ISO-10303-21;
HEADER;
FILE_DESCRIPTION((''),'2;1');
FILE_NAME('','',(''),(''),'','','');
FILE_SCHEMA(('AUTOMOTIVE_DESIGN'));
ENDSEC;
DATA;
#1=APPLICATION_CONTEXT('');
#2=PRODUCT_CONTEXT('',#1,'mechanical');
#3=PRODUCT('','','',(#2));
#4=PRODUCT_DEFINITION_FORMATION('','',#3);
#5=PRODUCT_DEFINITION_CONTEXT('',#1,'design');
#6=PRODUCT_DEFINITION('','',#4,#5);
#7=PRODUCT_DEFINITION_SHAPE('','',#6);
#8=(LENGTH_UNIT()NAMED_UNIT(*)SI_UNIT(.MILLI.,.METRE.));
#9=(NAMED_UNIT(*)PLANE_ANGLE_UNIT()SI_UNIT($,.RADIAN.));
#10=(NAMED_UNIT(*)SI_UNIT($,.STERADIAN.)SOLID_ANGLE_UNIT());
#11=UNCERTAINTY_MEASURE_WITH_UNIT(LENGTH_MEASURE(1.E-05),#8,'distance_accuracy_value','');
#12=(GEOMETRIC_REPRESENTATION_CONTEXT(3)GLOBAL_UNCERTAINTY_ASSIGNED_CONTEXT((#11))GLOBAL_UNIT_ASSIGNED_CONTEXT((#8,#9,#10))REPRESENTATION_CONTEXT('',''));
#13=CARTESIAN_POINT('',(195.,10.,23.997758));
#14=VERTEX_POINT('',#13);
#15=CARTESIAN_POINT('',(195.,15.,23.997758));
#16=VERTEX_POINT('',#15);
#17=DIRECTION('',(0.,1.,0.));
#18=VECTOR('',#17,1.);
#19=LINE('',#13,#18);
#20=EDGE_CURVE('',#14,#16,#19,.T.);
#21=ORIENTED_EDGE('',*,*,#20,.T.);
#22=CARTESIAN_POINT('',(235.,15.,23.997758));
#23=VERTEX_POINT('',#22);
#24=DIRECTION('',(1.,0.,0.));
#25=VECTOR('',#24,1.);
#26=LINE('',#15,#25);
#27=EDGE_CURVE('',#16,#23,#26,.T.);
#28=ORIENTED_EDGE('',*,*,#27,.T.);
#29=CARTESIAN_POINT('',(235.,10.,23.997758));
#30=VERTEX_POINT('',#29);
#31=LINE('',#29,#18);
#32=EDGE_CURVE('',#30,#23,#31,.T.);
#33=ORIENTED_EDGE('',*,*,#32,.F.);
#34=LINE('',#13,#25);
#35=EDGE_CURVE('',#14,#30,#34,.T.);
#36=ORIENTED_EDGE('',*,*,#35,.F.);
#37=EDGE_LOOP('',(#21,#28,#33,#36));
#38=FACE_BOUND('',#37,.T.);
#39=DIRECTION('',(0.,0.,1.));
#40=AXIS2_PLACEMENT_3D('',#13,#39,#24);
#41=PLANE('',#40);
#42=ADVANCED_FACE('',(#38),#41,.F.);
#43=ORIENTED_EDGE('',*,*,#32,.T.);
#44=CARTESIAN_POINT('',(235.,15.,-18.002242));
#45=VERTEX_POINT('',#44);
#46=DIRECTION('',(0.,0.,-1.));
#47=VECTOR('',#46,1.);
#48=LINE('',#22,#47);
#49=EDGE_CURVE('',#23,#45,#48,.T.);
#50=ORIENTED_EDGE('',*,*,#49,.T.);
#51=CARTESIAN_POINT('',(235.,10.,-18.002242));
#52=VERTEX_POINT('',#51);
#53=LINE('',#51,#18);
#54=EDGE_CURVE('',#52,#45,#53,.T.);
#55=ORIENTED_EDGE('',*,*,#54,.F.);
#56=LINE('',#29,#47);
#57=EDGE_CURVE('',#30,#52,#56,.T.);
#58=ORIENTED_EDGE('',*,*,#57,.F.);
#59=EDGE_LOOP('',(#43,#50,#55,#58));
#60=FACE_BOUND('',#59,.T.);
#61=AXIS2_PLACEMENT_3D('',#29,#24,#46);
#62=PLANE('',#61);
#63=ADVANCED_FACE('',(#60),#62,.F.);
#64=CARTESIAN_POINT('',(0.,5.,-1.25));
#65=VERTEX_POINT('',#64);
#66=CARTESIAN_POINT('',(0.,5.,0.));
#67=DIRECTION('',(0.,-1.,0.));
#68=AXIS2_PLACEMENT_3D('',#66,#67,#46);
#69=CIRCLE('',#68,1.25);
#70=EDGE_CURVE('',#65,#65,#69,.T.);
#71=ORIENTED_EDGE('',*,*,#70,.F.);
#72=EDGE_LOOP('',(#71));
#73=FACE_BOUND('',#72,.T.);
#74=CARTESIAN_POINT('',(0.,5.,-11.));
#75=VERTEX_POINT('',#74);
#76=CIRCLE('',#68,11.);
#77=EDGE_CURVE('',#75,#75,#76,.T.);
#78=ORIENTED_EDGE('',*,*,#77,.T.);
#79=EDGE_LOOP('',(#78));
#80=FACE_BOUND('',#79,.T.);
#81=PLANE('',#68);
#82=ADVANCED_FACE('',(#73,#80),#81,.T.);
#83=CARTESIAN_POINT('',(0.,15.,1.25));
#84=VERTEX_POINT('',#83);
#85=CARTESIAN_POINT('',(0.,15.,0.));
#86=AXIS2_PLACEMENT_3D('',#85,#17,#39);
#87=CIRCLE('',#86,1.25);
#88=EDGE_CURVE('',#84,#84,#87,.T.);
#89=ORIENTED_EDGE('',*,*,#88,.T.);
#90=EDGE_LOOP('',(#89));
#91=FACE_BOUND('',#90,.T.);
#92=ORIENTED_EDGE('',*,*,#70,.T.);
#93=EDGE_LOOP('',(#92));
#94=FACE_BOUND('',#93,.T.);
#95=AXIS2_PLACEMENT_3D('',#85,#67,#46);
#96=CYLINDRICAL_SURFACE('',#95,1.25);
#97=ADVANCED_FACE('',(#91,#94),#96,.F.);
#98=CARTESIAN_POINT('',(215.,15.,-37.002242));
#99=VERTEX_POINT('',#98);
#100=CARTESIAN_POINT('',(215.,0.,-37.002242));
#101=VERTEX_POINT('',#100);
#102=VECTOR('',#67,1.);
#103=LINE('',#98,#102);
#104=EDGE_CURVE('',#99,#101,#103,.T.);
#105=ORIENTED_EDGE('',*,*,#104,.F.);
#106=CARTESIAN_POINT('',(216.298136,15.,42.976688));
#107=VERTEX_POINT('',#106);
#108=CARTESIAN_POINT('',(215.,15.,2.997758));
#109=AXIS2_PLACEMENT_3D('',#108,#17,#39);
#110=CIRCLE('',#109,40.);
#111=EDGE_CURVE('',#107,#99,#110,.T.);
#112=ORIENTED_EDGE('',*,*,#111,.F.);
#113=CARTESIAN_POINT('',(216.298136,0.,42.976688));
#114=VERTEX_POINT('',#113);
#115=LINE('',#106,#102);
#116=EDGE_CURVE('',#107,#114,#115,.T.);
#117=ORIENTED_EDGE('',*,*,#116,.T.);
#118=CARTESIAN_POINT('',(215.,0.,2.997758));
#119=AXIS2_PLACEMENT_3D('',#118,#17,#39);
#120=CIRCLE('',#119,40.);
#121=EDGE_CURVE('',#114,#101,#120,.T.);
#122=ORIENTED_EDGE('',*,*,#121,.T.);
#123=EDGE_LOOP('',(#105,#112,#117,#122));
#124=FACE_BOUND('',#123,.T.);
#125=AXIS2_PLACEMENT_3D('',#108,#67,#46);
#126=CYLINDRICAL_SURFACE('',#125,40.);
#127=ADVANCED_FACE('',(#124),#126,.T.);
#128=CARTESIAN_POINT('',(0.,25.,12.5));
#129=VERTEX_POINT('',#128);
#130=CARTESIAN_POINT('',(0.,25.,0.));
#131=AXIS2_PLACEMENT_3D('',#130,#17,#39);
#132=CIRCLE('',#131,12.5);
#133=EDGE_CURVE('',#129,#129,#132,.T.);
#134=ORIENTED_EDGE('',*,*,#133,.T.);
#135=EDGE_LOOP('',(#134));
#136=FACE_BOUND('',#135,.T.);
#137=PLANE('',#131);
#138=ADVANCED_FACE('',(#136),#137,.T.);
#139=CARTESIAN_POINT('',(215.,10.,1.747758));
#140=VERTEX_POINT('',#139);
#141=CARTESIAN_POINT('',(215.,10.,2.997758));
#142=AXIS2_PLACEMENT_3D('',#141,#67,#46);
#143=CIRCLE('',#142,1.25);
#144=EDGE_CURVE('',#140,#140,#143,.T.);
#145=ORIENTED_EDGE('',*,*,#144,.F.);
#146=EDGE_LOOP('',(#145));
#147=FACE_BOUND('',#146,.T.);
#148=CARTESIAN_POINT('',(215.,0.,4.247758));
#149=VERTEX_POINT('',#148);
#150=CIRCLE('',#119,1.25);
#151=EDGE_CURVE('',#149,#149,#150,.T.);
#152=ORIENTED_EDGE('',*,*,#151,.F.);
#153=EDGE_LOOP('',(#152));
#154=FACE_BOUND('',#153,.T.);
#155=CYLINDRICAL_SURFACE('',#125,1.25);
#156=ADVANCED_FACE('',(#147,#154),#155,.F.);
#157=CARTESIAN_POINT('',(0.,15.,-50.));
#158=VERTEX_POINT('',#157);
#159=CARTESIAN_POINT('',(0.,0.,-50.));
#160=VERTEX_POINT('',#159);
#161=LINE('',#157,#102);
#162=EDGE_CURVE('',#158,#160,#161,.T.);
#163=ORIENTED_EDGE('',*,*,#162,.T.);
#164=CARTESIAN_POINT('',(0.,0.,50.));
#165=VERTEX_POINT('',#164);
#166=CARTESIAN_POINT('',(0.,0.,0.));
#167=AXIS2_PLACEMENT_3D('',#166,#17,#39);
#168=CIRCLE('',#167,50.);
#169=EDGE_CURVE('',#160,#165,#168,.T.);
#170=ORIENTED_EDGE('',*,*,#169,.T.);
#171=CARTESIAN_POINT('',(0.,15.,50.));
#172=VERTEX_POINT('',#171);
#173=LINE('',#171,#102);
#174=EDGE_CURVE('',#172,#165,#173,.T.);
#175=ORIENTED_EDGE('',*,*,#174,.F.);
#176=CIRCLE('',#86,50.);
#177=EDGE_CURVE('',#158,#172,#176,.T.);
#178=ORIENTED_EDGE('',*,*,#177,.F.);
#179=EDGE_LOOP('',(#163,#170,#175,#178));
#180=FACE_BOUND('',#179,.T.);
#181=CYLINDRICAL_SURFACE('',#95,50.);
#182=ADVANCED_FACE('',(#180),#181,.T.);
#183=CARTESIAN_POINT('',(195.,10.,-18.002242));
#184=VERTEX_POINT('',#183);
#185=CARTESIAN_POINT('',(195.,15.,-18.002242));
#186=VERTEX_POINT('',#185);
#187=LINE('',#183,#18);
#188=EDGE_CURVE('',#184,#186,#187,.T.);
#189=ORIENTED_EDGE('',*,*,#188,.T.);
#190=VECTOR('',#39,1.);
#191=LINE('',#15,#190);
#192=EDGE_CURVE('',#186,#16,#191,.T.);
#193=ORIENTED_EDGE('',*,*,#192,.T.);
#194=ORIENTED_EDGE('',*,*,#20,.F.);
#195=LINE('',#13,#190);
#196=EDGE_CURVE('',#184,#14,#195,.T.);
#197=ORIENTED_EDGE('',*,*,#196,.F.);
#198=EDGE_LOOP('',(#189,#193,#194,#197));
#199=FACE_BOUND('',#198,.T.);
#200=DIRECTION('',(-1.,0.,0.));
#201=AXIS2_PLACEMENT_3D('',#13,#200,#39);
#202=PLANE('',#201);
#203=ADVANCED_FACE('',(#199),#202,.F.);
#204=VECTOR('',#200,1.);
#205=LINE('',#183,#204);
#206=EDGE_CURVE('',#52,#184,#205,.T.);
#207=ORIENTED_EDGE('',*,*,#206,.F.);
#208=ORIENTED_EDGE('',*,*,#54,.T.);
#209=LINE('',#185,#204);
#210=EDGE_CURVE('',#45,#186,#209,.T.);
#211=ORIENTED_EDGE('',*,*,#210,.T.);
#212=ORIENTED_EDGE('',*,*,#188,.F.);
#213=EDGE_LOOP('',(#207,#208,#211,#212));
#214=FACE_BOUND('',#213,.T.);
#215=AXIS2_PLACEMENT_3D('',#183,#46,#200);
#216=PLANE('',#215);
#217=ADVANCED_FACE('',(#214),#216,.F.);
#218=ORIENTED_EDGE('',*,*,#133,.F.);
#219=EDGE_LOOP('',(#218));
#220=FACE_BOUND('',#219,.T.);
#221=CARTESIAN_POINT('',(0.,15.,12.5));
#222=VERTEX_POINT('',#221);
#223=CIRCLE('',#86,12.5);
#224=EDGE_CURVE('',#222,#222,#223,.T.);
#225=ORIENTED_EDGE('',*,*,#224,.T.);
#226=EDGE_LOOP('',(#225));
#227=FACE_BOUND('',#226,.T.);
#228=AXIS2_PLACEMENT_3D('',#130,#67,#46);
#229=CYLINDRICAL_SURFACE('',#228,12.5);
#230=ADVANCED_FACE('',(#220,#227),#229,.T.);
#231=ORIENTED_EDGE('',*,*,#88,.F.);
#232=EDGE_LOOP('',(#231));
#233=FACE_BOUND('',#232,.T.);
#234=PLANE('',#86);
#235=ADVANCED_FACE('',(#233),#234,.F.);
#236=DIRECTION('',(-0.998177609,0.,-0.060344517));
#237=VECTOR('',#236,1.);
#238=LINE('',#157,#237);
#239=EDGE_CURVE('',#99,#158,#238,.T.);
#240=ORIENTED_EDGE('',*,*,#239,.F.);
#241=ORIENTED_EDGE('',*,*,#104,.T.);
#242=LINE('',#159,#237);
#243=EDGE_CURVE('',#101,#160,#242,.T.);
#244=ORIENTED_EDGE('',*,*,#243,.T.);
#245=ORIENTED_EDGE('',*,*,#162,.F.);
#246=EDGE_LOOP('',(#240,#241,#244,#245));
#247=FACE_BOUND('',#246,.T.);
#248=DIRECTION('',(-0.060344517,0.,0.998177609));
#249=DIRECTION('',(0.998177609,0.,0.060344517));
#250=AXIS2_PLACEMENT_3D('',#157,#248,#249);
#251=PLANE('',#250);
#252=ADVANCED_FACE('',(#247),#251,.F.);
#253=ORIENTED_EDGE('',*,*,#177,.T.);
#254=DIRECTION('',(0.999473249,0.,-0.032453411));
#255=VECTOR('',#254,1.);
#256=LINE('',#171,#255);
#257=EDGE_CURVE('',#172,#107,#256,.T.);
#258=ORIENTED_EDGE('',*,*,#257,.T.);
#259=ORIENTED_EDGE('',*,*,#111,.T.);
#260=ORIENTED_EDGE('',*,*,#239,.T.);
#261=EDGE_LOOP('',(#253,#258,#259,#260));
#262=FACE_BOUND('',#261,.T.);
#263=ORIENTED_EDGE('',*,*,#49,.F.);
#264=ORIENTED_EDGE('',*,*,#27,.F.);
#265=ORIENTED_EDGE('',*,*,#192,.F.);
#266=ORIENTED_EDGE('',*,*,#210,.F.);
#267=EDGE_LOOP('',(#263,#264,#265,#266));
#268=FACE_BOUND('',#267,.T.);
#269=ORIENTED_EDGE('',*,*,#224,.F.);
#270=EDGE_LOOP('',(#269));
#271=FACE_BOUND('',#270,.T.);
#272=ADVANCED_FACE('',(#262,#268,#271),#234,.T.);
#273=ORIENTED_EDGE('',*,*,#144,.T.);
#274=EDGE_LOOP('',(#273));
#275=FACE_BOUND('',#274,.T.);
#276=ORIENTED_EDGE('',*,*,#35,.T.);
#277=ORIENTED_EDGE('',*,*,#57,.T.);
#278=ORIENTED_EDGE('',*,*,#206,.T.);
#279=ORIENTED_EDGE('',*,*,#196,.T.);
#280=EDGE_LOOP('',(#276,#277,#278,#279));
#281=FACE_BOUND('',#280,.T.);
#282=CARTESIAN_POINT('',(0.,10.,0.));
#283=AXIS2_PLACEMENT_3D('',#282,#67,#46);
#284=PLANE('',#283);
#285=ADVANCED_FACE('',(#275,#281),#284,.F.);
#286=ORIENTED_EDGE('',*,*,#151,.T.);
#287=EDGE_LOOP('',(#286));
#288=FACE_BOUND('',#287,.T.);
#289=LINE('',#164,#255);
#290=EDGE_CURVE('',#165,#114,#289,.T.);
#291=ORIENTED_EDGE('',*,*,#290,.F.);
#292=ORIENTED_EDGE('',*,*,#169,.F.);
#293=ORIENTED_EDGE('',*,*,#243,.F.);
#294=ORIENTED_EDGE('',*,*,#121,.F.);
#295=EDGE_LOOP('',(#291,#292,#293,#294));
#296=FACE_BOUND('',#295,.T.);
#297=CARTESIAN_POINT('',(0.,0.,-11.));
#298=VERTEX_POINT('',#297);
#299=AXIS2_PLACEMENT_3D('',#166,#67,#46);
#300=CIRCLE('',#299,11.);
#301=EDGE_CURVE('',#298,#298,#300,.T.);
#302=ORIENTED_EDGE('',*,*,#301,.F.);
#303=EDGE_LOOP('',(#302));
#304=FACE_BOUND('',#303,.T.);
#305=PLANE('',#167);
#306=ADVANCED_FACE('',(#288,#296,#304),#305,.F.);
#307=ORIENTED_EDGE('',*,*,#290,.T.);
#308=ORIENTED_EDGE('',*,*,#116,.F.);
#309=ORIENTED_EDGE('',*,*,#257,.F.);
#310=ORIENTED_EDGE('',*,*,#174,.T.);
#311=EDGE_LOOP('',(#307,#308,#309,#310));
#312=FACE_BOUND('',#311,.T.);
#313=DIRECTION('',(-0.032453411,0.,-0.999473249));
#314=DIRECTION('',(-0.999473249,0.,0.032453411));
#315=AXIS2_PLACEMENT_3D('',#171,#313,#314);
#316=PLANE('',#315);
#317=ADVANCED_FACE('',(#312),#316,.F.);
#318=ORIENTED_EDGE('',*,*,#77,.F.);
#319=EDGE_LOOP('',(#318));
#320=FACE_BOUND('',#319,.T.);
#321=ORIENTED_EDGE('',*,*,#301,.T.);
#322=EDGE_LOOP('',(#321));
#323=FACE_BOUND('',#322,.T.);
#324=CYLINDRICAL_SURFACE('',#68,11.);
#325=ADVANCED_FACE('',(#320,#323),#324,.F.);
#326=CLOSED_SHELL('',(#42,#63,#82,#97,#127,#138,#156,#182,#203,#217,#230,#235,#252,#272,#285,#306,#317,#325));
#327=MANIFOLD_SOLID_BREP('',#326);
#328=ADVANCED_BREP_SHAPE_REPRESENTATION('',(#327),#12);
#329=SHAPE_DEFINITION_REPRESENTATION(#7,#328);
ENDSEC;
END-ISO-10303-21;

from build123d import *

# Parameters (mm, degrees)
CROQUIS1_R              = 1.25
SALIENTE_EXTRUIR1_DEPTH = 15
CROQUIS2_R              = 12.5
SALIENTE_EXTRUIR2_DEPTH = 10
CROQUIS3_R              = 11
CORTAR_EXTRUIR1_DEPTH   = 5
CROQUIS4_W              = 40
CROQUIS4_H              = 42
CORTAR_EXTRUIR2_DEPTH   = 5


with BuildPart() as part:
    # Croquis1 → Saliente-Extruir1 (new body)
    with BuildSketch(Plane(origin=(0, 0, 0), x_dir=(1, 0, 0), z_dir=(0, 1, 0))):
        with BuildLine():
            Line((0, 50), (215, 37.002241847))
            ThreePointArc((215, 37.002241847), (254.994732146, -2.34860444), (216.298136444, -42.976688126))
            Line((216.298136444, -42.976688126), (0, -50))
            ThreePointArc((0, -50), (-50, 0), (0, 50))
        make_face()
        with Locations(Location((0, 0, 0), (0, 0, 270))):
            Circle(CROQUIS1_R, mode=Mode.SUBTRACT)
        with Locations(Location((215, -2.997758153, 0), (0, 0, 270))):
            Circle(CROQUIS1_R, mode=Mode.SUBTRACT)
    extrude(amount=SALIENTE_EXTRUIR1_DEPTH)

    # Croquis2 → Saliente-Extruir2 (add)
    with BuildSketch(Plane(origin=(0, 15, 0), x_dir=(1, 0, 0), z_dir=(0, 1, 0))):
        with Locations(Location((0, 0, 0), (0, 0, 270))):
            Circle(CROQUIS2_R)
    extrude(amount=SALIENTE_EXTRUIR2_DEPTH)

    # Croquis3 → Cortar-Extruir1 (cut)
    with BuildSketch(Plane(origin=(0, 0, 0), x_dir=(-1, 0, 0), z_dir=(0, -1, 0))):
        with Locations(Location((0, 0, 0), (0, 0, 90))):
            Circle(CROQUIS3_R)
    extrude(amount=-CORTAR_EXTRUIR1_DEPTH, mode=Mode.SUBTRACT)

    # Croquis4 → Cortar-Extruir2 (cut)
    with BuildSketch(Plane(origin=(0, 15, 0), x_dir=(1, 0, 0), z_dir=(0, 1, 0))):
        with Locations((215, -2.997758153)):
            Rectangle(CROQUIS4_W, CROQUIS4_H)
    extrude(amount=-CORTAR_EXTRUIR2_DEPTH, mode=Mode.SUBTRACT)


solid = part.part
